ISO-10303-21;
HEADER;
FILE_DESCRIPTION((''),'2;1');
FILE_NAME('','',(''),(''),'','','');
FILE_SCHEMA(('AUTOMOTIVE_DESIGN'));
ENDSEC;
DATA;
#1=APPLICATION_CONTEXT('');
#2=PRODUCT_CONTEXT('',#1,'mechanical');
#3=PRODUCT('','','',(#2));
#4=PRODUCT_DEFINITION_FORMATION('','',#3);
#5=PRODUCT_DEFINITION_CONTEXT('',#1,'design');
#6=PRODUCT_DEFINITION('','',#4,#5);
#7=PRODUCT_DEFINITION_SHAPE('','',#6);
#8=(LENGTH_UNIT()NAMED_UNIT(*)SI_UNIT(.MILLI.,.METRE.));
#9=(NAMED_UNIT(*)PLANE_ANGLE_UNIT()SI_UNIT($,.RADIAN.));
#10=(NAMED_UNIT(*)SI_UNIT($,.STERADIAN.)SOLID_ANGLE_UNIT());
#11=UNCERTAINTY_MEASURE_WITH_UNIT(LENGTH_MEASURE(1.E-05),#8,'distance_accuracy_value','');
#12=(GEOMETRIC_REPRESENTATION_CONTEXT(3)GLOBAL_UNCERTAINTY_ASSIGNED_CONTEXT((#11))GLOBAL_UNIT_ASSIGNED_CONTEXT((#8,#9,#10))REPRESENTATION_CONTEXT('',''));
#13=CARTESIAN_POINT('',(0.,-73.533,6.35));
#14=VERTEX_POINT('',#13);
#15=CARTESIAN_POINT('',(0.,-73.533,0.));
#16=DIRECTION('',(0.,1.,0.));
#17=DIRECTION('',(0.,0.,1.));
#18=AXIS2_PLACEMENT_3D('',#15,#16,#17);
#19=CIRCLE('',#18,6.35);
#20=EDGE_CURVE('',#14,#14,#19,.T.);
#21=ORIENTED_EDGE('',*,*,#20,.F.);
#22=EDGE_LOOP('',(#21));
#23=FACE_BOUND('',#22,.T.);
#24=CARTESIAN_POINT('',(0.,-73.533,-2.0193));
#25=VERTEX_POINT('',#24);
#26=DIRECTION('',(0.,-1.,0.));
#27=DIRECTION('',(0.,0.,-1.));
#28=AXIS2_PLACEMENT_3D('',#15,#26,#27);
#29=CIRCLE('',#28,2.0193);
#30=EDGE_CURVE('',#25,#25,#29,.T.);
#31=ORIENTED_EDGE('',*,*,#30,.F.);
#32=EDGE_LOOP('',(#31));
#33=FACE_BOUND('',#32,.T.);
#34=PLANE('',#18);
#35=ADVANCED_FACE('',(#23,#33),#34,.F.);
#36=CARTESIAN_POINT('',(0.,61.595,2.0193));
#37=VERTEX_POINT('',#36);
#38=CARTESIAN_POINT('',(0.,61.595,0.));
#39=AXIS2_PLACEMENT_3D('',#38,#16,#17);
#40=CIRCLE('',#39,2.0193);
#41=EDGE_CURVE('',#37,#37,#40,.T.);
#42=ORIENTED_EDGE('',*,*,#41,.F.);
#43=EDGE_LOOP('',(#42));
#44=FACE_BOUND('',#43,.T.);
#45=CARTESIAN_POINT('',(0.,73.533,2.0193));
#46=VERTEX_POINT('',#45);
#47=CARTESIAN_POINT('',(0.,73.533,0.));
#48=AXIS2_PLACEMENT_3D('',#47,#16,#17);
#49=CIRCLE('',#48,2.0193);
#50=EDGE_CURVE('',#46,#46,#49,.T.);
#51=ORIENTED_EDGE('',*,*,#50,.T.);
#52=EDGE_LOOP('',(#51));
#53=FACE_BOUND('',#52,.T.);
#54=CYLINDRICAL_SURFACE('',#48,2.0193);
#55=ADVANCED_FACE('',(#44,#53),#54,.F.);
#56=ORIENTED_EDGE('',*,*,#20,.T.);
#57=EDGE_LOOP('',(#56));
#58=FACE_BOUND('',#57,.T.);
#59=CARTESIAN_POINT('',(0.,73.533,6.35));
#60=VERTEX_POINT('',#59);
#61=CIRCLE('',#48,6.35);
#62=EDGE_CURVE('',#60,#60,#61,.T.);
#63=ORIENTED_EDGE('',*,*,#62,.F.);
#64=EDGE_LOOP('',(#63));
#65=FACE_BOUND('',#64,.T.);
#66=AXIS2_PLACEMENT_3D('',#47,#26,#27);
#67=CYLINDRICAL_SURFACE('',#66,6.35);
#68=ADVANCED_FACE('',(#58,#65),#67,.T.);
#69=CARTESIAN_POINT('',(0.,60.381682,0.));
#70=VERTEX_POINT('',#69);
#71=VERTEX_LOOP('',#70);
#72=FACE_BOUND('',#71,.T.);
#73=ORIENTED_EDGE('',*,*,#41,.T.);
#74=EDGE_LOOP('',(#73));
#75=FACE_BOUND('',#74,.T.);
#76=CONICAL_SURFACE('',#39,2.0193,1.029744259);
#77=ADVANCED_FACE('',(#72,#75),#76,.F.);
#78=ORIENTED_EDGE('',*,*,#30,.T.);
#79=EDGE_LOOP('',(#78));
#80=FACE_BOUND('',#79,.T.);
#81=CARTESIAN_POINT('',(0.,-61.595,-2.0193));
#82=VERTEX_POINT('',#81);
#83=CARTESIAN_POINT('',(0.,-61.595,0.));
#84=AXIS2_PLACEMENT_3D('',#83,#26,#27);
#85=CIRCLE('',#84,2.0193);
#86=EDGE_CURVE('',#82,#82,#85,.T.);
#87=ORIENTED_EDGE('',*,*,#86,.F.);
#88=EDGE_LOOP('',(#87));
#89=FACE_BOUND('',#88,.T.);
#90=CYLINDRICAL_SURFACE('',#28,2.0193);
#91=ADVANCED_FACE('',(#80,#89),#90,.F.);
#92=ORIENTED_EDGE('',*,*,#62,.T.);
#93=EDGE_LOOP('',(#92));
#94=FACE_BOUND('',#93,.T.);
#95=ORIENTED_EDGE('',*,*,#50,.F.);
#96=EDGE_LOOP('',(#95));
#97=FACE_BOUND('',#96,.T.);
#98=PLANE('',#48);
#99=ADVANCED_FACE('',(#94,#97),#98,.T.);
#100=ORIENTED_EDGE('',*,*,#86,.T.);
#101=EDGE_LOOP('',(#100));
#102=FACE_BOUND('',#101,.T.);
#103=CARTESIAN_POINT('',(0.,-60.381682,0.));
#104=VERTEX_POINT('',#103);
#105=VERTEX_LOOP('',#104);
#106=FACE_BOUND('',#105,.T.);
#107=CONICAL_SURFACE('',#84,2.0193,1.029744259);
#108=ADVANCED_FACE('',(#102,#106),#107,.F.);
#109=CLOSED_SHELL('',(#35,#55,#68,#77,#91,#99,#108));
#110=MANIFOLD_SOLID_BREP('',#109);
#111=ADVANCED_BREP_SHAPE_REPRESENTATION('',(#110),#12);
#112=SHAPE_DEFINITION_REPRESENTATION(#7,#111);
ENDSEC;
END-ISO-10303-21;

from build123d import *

# Parameters (mm, degrees)
SKETCH1_R           = 6.35
BOSS_EXTRUDE1_DEPTH = 73.533


with BuildPart() as part:
    # Sketch1 → Boss-Extrude1 (new, symmetric)
    with BuildSketch(Plane(origin=(0, 0, 0), x_dir=(1, 0, 0), z_dir=(0, 1, 0))):
        with Locations(Location((0, 0, 0), (0, 0, 270))):
            Circle(SKETCH1_R)
    extrude(amount=BOSS_EXTRUDE1_DEPTH, both=True)

    # Sketch2 → #10-32 Tapped Hole1 (revolve, cut)
    with BuildSketch(Plane(origin=(0, 73.533, 0), x_dir=(0, 0, 1), z_dir=(1, 0, 0))):
        Polygon((0, 0), (0, 13.151317848), (2.0193, 11.938), (2.0193, 0), align=None)
    f_10_32_tapped_hole1 = revolve(axis=Axis((0, 79.883, 0), (0, -1, 0)), mode=Mode.SUBTRACT)

    # Mirror1: #10-32 Tapped Hole1 across plane
    add(f_10_32_tapped_hole1.mirror(Plane.ZX), mode=Mode.SUBTRACT)


solid = part.part
